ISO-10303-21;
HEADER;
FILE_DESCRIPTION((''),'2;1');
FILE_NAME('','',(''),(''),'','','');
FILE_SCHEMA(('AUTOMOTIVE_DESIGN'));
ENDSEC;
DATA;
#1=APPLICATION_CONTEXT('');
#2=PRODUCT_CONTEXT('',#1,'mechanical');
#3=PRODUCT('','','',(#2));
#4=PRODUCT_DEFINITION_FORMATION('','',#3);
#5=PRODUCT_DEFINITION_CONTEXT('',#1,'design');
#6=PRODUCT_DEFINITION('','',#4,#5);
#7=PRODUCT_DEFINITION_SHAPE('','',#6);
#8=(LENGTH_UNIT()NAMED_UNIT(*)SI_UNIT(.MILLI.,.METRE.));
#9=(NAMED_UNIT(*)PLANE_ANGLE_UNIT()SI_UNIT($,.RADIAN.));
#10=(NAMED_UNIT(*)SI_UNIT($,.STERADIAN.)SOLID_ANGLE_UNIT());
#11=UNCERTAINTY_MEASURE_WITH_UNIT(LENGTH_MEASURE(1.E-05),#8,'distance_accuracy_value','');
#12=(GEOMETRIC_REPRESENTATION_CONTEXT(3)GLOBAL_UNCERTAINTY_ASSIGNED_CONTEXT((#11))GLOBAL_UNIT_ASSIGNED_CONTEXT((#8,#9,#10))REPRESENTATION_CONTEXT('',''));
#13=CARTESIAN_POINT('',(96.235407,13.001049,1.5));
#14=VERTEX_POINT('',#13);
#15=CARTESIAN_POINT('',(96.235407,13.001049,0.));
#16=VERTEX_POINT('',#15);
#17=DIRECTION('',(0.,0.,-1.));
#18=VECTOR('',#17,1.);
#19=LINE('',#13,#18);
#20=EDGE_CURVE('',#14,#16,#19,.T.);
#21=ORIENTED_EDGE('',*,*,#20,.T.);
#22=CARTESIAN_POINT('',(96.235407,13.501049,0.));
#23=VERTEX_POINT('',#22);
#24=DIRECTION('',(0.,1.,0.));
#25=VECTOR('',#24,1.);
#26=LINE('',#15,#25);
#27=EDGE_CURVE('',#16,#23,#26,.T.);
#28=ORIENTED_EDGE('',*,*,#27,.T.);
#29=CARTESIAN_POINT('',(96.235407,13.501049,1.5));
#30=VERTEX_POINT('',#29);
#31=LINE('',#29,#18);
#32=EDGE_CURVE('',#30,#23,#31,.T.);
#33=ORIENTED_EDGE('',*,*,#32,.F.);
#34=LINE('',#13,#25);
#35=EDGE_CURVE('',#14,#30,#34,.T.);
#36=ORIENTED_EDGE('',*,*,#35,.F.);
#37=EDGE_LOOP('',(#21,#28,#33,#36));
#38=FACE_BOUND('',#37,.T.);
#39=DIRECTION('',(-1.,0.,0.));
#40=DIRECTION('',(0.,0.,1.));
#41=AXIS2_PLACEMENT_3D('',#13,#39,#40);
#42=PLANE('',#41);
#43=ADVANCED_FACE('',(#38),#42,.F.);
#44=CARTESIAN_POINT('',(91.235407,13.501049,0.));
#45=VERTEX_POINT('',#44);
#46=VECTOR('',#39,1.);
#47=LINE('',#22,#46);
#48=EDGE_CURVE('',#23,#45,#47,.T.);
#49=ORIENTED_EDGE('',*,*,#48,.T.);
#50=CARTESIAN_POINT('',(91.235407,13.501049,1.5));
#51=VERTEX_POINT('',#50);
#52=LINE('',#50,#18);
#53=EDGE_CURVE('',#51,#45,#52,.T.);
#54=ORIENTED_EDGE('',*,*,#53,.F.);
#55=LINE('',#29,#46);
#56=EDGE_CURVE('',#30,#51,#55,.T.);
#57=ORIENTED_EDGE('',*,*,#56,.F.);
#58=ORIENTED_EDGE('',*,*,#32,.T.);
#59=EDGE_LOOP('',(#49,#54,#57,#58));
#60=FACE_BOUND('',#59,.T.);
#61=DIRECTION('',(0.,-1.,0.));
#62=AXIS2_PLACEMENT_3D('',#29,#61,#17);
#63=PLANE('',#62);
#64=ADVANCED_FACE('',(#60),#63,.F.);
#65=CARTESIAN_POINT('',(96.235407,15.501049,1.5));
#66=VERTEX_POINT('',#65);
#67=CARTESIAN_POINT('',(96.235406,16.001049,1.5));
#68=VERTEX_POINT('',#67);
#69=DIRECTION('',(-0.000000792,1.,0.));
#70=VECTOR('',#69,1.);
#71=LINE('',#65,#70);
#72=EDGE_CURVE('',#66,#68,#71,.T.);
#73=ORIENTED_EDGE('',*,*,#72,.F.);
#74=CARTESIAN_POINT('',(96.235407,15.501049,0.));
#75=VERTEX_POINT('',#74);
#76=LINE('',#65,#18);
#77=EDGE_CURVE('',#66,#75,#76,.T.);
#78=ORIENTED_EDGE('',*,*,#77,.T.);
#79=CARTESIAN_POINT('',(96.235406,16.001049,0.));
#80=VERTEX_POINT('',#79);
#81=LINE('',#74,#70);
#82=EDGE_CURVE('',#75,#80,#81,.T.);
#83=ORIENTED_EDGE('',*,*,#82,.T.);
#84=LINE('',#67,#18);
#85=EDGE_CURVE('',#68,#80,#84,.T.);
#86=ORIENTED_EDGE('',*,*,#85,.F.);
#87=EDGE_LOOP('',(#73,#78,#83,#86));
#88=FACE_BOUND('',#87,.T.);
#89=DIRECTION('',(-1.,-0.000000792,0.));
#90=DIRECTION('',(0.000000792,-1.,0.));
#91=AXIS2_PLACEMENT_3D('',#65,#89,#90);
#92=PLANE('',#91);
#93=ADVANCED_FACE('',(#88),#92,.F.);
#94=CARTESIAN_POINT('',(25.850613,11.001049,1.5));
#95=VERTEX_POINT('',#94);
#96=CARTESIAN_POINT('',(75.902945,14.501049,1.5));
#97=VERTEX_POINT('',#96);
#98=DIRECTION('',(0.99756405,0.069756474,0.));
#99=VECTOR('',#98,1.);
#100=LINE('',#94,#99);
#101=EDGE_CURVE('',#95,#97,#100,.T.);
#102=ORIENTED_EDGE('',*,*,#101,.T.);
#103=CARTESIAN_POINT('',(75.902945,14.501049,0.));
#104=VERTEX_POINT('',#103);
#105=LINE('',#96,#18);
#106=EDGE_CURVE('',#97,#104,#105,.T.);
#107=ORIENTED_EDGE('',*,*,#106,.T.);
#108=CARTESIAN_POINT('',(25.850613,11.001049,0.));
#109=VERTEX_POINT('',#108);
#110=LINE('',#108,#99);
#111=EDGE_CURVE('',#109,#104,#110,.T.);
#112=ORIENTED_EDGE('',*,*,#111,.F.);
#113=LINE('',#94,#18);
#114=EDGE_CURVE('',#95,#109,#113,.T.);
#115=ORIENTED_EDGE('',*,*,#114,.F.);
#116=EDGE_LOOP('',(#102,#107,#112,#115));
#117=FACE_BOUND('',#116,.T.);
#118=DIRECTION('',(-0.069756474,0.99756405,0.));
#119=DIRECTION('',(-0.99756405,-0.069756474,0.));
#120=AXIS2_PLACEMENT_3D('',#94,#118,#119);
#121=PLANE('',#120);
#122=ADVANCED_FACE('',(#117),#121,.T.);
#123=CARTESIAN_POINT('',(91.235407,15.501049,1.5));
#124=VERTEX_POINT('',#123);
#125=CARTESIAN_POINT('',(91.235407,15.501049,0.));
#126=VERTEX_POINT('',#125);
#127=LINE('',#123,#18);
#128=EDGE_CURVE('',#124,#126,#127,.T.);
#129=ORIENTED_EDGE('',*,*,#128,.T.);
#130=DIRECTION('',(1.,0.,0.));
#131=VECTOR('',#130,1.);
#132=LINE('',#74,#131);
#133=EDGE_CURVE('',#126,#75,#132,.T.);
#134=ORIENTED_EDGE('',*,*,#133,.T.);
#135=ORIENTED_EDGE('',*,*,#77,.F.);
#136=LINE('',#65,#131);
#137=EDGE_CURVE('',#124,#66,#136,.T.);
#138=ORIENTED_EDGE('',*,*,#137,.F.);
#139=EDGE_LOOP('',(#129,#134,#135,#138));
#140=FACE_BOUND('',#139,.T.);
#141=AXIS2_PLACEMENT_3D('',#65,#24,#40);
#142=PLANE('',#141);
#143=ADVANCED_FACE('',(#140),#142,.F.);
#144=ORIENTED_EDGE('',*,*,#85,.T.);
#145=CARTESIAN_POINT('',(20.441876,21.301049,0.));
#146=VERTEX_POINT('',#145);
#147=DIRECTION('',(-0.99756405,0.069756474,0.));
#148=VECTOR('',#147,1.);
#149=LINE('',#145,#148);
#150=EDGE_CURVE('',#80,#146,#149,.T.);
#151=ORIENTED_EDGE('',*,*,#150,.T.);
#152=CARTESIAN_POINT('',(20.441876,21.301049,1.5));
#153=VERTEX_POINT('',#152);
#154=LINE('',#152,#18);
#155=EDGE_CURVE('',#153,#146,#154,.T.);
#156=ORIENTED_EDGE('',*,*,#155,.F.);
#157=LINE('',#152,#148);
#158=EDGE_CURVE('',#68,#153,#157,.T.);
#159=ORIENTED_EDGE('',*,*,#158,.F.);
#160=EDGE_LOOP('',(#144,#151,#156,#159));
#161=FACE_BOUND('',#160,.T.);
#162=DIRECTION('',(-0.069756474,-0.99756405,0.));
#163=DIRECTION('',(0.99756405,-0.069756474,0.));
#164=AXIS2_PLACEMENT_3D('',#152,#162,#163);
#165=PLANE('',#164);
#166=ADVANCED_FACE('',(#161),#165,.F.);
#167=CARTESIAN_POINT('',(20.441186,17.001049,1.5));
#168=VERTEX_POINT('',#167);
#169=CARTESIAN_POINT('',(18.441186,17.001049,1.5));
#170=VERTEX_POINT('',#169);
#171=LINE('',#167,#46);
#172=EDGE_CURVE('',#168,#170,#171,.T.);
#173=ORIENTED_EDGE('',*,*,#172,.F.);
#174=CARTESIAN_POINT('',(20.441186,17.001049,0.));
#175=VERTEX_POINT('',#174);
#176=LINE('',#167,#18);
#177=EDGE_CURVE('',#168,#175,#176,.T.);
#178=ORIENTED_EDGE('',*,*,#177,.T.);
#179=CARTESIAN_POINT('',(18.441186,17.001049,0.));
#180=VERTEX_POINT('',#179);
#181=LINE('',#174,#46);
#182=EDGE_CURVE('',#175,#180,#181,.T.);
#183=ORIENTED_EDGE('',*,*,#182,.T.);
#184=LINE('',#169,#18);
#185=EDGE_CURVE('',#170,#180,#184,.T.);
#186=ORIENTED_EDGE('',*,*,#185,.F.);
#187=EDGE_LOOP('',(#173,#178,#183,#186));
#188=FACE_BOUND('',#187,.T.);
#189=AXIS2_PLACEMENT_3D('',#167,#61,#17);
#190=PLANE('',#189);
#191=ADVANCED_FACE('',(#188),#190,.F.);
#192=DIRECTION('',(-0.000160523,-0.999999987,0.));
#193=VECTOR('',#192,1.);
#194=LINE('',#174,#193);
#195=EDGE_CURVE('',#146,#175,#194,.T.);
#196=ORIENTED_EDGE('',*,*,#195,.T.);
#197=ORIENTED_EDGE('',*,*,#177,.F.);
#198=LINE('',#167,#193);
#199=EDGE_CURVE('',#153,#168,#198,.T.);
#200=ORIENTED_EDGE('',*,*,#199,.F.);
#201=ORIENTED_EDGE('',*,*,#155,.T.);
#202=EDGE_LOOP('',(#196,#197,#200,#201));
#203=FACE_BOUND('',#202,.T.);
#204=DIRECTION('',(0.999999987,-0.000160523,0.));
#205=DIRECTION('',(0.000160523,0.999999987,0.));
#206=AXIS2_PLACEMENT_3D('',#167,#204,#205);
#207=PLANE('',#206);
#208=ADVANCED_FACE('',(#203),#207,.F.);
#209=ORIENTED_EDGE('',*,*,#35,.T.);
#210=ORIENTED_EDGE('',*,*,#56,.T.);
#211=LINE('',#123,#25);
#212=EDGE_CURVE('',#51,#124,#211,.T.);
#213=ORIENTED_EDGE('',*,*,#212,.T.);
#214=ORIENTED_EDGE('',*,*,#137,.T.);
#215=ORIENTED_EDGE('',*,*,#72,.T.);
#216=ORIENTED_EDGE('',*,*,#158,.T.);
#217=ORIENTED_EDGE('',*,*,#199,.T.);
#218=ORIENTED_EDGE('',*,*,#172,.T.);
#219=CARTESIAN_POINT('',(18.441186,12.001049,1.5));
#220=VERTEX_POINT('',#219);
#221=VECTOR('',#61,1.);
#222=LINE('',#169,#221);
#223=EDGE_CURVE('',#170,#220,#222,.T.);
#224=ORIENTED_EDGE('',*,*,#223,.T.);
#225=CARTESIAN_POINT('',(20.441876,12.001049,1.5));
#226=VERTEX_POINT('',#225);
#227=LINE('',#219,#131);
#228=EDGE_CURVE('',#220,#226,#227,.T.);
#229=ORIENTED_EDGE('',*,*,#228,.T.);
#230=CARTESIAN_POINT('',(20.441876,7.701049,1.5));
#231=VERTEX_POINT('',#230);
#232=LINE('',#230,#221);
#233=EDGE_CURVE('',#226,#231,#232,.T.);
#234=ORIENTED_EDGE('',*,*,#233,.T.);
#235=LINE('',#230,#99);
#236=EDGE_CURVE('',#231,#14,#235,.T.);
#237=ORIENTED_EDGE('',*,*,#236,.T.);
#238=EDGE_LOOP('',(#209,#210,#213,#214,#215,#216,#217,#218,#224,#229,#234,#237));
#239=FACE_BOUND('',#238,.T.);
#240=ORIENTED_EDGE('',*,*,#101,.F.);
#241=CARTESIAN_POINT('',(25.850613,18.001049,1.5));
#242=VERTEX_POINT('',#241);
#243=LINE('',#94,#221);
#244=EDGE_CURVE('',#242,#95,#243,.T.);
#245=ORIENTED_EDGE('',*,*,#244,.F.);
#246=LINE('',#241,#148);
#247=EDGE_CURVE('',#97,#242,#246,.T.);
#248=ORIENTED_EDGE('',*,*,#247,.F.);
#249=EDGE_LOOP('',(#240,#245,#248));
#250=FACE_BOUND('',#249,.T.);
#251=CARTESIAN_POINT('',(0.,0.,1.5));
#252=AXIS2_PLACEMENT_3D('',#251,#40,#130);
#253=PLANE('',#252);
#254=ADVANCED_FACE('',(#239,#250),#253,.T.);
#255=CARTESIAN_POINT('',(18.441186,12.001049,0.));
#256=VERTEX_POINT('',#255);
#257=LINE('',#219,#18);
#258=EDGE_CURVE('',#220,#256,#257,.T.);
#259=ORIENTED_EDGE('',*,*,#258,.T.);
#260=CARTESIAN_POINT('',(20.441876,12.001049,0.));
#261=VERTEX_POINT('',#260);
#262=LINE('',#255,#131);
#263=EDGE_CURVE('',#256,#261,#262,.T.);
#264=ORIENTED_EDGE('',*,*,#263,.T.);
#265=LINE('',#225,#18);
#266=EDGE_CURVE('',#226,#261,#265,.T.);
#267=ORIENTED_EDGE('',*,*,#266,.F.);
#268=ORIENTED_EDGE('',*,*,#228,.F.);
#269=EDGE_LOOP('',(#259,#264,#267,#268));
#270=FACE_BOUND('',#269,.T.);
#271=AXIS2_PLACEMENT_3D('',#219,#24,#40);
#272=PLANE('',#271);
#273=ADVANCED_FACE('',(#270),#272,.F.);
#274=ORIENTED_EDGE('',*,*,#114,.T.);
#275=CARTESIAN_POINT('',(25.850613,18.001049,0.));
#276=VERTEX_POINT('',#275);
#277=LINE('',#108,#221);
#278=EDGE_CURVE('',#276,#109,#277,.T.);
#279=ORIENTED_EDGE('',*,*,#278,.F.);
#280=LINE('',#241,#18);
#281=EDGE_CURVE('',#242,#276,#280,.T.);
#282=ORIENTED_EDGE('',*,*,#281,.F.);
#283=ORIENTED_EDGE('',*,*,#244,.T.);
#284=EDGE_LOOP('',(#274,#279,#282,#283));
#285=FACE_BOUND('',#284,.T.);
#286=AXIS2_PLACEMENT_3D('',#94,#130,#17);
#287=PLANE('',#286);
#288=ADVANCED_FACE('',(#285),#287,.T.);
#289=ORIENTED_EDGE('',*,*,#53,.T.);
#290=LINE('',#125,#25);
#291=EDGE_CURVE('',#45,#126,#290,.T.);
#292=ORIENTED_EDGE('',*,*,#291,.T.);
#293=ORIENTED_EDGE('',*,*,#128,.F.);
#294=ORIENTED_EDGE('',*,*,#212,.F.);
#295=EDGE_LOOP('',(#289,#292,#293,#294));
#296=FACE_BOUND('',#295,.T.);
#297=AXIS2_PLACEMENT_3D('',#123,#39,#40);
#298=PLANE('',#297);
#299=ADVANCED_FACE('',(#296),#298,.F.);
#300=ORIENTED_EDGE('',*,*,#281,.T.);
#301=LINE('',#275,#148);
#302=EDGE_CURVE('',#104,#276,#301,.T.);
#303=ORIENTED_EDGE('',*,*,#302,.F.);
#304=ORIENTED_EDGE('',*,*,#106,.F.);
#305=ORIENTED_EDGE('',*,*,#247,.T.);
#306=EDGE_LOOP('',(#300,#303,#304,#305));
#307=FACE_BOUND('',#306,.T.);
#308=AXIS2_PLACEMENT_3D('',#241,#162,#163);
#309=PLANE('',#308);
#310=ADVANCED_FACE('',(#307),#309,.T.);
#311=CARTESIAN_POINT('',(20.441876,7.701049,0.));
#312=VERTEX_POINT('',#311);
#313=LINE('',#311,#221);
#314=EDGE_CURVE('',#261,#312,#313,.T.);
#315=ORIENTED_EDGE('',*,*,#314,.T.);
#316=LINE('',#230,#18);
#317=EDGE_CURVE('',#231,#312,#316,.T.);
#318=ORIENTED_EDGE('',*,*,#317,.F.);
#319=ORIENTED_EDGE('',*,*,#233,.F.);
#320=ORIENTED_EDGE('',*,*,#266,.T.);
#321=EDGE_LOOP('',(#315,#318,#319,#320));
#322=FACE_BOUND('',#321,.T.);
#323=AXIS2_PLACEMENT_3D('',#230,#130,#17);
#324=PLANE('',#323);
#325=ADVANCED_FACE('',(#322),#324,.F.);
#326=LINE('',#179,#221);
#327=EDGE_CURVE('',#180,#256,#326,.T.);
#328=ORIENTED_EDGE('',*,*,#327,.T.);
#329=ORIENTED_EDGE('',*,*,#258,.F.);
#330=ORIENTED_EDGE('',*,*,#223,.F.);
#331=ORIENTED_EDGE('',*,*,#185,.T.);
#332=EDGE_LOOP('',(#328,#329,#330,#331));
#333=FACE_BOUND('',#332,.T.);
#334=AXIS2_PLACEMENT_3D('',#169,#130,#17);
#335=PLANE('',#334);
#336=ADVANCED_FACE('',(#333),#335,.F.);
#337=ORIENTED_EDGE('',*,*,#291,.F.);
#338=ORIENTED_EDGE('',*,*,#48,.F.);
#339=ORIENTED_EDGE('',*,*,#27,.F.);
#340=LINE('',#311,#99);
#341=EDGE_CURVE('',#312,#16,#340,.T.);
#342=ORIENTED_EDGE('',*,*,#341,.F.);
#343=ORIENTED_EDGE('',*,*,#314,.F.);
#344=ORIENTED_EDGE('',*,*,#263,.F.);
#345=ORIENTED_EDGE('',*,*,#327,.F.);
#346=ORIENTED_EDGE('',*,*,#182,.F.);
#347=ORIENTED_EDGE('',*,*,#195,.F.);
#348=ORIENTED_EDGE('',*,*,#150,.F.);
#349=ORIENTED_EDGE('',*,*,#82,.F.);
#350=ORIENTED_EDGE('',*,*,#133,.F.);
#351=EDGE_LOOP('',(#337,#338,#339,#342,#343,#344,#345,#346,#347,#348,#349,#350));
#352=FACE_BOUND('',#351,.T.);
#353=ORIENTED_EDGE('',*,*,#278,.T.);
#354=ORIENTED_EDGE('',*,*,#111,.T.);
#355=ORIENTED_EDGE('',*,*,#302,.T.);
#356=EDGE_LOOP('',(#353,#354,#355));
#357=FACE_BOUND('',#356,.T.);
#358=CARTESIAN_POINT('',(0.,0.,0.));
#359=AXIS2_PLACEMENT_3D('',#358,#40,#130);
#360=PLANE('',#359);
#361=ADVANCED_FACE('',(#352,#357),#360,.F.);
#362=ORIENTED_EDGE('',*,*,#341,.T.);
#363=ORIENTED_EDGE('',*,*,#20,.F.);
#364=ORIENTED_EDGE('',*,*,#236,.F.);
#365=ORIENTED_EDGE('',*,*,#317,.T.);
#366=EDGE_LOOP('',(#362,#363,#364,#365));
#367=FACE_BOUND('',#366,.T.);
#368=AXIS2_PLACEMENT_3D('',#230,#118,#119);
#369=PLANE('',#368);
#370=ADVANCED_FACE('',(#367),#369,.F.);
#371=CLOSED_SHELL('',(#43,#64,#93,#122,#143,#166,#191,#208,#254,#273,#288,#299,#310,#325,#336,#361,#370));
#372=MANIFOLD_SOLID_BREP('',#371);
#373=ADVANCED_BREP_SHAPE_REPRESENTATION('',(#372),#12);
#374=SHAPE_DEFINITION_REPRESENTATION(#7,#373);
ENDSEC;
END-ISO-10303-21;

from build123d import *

# Parameters (mm, degrees)
EXTRUDE_1_DEPTH = 1.5


with BuildPart() as part:
    # Model → 凸台-拉伸1 (new body)
    with BuildSketch(Plane.XY):
        Polygon((18.441185759, 12.001049365), (20.44187601, 12.001049365), (20.44187601, 7.701049365), (96.23540717, 13.001049365), (96.23540717, 13.501049365), (91.23540717, 13.501049365), (91.23540717, 15.501049365), (96.235406774, 15.501049365), (96.235406378, 16.001049365), (20.44187601, 21.301049309), (20.441185759, 17.001049365), (18.441185759, 17.001049365), align=None)
        Polygon((25.850613074, 11.001049365), (25.850613074, 18.001049365), (75.902944972, 14.501049365), align=None, mode=Mode.SUBTRACT)
    extrude(amount=EXTRUDE_1_DEPTH)


solid = part.part
